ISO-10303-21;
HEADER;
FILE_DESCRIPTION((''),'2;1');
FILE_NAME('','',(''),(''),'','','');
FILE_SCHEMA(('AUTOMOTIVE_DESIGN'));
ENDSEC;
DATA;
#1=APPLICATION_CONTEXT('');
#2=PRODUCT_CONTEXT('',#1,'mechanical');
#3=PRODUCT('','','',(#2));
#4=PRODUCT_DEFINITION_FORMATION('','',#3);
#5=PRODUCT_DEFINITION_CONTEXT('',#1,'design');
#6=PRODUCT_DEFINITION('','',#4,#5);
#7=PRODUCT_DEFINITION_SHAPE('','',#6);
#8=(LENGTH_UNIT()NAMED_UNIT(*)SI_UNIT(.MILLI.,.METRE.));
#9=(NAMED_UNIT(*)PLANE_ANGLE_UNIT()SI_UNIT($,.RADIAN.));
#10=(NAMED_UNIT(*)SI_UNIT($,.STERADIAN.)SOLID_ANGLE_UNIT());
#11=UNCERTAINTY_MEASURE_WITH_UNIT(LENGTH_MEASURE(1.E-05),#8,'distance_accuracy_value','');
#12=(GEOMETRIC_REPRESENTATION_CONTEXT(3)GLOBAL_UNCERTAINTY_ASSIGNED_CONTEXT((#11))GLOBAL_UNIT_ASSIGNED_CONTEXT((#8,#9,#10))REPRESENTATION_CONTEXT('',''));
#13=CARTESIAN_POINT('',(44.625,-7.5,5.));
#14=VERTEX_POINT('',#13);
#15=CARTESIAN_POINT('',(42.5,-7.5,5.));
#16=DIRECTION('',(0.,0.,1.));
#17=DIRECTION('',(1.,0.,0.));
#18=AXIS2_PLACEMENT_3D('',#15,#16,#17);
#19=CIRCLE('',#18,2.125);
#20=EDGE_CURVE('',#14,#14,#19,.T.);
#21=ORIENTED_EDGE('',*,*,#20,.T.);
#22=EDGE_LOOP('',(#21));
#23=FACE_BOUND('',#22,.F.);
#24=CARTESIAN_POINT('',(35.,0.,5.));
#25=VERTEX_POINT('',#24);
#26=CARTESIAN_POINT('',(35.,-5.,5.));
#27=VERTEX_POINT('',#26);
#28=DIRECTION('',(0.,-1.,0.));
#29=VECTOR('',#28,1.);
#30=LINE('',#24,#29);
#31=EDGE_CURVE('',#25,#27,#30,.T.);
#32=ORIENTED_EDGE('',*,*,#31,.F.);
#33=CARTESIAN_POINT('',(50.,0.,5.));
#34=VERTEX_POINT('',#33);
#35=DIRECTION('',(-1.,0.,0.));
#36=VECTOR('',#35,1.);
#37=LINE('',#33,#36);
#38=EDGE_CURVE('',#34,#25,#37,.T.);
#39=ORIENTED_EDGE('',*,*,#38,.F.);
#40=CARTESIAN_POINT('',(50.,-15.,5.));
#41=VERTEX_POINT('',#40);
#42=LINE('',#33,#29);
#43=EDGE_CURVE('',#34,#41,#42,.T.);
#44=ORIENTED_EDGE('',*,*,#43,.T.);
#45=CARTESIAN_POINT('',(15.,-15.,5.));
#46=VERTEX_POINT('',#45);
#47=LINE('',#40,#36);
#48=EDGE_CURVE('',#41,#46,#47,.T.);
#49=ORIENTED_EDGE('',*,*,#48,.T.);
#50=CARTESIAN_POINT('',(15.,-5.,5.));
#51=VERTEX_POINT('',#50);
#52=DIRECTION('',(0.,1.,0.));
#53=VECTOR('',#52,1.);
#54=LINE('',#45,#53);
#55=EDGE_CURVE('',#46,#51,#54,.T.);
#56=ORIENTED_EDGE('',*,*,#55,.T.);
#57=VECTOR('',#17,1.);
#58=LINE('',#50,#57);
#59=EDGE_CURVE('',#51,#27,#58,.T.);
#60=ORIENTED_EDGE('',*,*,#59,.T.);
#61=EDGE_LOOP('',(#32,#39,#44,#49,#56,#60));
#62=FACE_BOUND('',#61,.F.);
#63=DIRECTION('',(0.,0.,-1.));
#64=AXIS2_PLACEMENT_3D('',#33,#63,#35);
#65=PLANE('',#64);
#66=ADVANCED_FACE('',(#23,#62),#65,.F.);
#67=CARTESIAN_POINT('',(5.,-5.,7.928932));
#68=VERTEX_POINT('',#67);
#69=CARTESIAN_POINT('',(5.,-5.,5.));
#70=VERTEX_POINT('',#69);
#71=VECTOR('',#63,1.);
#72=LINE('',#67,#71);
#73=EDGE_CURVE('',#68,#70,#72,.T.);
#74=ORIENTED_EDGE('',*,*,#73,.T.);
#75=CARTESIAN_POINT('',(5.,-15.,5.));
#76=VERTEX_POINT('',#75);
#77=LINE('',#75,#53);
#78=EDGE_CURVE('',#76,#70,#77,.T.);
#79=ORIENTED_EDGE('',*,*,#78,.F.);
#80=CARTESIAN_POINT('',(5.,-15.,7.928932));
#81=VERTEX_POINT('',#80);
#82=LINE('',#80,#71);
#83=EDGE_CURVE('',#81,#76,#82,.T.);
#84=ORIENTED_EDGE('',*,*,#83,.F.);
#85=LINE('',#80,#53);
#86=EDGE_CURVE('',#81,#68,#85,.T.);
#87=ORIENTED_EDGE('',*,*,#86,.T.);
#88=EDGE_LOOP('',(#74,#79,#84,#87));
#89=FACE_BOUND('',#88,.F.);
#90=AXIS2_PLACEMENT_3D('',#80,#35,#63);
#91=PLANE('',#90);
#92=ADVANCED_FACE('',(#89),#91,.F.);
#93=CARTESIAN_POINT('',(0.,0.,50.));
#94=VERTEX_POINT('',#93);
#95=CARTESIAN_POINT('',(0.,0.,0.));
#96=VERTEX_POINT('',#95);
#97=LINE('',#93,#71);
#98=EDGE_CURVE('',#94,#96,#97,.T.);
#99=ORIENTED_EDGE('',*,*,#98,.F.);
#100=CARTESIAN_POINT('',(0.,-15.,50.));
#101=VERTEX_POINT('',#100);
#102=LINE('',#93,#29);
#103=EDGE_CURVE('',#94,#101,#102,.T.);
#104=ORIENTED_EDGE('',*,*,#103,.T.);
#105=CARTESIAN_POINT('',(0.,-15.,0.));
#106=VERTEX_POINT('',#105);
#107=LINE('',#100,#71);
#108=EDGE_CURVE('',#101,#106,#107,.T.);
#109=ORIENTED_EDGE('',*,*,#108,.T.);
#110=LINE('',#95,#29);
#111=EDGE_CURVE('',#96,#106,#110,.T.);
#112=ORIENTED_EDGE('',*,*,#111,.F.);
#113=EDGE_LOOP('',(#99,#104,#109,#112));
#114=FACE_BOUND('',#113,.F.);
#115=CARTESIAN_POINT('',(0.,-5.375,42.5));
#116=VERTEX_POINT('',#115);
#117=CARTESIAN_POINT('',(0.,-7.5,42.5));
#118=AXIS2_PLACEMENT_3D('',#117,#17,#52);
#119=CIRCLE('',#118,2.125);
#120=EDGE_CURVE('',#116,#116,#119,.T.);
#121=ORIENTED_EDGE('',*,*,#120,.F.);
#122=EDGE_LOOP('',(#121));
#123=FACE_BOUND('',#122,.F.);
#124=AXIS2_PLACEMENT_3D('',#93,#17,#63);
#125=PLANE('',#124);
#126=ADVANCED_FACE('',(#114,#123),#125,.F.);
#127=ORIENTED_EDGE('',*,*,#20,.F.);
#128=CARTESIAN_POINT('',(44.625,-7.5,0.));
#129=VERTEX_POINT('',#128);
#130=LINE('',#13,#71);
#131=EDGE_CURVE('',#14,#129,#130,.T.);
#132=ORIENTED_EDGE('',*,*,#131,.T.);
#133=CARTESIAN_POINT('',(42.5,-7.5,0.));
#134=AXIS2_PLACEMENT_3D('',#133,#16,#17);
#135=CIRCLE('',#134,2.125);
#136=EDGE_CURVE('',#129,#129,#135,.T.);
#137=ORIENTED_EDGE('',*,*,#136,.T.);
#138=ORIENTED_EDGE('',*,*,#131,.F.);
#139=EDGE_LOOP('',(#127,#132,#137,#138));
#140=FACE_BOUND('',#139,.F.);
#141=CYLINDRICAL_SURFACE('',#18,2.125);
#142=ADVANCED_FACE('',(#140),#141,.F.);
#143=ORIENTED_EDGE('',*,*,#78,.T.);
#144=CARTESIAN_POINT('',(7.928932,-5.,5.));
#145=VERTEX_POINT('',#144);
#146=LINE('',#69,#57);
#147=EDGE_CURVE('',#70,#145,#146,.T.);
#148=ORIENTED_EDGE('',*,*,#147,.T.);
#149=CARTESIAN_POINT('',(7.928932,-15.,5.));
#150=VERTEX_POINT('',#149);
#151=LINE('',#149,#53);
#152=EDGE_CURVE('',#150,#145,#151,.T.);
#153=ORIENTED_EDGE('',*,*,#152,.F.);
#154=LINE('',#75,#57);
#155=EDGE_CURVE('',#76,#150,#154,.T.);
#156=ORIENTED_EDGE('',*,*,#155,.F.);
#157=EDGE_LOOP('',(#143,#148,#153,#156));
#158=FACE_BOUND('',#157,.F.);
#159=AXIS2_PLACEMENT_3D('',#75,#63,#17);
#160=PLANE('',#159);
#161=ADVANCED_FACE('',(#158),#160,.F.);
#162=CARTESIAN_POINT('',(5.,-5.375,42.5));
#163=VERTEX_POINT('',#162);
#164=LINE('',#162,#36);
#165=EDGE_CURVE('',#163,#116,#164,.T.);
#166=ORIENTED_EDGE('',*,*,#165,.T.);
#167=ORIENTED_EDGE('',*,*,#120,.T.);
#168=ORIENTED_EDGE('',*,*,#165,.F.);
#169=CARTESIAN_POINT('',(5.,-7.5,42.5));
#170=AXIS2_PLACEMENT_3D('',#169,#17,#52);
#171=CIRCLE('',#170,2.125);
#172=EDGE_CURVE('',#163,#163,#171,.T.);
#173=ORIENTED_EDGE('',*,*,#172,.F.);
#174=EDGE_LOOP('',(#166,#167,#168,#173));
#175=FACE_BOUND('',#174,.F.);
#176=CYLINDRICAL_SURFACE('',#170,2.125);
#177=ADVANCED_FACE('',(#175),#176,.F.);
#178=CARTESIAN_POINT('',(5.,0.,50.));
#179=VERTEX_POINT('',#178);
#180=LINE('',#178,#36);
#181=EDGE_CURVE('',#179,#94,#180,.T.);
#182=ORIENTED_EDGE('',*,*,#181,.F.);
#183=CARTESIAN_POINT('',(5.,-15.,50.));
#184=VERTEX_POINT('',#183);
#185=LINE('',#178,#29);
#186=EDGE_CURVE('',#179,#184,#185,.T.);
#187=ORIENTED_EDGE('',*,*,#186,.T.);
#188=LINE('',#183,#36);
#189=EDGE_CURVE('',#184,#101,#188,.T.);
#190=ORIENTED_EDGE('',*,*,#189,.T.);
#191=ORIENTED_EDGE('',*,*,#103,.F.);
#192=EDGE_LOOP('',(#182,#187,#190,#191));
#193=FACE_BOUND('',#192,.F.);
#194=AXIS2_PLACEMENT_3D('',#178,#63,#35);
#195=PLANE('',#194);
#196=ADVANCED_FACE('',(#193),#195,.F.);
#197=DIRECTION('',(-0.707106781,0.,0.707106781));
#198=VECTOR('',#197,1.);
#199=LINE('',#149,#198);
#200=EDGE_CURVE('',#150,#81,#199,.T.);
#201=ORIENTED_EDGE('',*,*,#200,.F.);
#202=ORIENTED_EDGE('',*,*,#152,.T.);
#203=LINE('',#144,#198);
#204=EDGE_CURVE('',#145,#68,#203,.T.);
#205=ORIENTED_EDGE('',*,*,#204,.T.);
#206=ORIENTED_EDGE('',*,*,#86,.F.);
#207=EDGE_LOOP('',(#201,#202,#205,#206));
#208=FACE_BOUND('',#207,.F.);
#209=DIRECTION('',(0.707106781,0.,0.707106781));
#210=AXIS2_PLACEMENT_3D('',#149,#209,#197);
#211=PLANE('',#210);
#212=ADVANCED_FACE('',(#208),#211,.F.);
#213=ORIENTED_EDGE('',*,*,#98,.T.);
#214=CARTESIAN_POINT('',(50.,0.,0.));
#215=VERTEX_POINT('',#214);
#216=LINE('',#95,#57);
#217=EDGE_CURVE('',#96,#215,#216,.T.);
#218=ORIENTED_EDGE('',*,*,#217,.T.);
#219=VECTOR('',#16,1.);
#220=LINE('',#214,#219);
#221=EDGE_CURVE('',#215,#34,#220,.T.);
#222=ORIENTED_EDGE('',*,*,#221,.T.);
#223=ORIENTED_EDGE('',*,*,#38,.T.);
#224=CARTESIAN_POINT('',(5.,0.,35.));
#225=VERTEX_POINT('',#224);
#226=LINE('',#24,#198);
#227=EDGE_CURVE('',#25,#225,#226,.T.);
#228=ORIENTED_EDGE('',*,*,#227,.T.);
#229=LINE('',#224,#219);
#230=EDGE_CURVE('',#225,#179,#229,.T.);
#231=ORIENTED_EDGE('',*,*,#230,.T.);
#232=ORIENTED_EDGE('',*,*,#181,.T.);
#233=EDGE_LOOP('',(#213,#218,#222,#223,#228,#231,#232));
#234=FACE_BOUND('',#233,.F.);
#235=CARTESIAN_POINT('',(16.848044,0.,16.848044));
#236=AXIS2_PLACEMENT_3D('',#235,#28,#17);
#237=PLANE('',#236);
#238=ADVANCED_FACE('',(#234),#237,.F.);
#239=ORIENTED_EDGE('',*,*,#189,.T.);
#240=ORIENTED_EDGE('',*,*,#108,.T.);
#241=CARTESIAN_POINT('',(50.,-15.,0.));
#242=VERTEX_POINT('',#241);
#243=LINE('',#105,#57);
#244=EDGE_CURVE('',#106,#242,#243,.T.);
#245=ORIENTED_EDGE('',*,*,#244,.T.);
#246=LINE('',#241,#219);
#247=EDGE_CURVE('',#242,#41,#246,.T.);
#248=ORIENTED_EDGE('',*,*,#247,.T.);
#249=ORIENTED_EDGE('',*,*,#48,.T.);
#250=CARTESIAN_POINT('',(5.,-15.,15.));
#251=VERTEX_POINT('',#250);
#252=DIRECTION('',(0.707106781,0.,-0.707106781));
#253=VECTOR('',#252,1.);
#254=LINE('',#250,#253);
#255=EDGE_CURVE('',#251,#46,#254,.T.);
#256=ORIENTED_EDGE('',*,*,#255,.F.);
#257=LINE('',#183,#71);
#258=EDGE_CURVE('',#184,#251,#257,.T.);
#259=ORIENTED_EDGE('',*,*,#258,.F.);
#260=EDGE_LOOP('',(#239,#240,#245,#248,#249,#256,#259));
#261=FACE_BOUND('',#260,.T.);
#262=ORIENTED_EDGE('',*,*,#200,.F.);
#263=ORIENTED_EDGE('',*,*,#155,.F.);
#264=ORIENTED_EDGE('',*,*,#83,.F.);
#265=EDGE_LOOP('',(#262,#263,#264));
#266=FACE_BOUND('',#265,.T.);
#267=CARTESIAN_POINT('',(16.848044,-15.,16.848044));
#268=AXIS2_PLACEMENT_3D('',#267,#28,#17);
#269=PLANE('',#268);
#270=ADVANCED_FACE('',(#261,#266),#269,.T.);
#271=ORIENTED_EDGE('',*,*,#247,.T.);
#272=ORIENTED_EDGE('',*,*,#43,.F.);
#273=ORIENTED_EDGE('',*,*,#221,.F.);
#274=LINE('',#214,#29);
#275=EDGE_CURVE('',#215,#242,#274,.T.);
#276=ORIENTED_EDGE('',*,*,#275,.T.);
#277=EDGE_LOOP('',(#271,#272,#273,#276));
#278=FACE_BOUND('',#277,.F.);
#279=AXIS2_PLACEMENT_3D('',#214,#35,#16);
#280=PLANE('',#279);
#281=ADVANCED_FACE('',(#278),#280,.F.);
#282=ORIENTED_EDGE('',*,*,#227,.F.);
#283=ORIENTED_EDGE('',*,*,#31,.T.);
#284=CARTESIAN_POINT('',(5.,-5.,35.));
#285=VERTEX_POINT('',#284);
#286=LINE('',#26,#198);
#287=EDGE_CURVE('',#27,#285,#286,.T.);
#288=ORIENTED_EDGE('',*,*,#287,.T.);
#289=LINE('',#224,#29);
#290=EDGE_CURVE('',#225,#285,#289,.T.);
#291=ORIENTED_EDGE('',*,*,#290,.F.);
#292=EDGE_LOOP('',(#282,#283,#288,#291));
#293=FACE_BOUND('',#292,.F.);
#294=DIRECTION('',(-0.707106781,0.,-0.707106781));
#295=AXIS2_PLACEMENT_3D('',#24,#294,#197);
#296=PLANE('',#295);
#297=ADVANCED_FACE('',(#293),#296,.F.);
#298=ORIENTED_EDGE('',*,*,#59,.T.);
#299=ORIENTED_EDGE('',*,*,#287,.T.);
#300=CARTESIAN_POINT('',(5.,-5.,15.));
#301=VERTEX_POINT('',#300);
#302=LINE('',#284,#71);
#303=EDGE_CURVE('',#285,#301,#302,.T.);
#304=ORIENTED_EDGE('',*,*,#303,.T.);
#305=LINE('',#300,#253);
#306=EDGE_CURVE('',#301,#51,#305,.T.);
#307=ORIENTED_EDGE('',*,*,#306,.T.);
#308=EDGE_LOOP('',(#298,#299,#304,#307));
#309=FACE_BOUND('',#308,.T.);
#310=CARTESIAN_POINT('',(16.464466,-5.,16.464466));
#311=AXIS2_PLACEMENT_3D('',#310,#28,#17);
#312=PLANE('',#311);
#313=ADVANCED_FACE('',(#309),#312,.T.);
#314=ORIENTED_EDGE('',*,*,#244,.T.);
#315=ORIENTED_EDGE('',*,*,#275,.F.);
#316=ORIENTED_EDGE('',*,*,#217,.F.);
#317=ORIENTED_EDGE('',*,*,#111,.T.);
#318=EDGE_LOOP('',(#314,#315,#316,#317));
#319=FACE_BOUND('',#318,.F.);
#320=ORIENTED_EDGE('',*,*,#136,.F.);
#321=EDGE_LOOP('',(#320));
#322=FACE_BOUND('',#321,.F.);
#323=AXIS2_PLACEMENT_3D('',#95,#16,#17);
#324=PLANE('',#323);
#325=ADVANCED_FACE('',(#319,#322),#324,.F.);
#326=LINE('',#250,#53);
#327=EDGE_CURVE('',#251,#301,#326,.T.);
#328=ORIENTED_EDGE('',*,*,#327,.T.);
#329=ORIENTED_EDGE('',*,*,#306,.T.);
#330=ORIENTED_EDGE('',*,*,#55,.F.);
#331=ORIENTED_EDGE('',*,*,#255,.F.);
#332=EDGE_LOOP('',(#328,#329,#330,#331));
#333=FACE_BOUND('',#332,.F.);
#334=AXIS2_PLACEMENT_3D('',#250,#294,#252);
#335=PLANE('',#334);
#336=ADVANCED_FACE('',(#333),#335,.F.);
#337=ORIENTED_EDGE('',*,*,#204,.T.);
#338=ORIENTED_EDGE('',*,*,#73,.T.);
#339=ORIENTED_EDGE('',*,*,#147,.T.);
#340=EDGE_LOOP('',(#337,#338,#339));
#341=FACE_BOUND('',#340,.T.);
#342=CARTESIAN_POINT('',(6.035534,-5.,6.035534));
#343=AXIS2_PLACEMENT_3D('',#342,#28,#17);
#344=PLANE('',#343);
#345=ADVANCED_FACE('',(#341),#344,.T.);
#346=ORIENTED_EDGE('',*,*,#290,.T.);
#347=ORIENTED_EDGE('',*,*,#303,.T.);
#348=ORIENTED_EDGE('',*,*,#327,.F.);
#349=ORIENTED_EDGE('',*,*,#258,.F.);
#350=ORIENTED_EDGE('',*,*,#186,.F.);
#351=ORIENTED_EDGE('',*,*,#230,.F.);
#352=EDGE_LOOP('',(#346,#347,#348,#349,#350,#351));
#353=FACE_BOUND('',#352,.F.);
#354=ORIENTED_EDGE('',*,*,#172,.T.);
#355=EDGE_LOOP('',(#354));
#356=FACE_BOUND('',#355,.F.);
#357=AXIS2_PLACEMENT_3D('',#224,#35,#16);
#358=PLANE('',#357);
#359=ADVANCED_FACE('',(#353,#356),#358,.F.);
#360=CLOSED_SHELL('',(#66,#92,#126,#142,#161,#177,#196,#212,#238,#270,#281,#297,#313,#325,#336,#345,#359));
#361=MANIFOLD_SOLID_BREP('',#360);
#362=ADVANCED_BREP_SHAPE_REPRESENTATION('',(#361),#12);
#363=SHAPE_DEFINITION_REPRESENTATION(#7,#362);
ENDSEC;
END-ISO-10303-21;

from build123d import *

# Parameters (mm, degrees)
F1_DEPTH = 15
F2_R     = 2.125
F3_DEPTH = 25
F4_R     = 2.125
F5_DEPTH = 25
F7_DEPTH = 10
F9_DEPTH = 10


with BuildPart() as f1:
    # F0 (on Front) → F1 (new body)
    with BuildSketch(Plane.XZ):
        Polygon((5, 50), (0, 50), (0, 0), (50, 0), (50, 5), (35, 5), (5, 35), align=None)
    extrude(amount=F1_DEPTH)

    # F2 (on face) → F3 (cut)
    with BuildSketch(Plane.XY.offset(5)):
        with Locations((42.5, -7.5)):
            Circle(F2_R)
    extrude(amount=-F3_DEPTH, mode=Mode.SUBTRACT)

    # F4 (on face) → F5 (cut)
    with BuildSketch(Plane.YZ.offset(5)):
        with Locations((-7.5, 42.5)):
            Circle(F4_R)
    extrude(amount=-F5_DEPTH, mode=Mode.SUBTRACT)

    # F6 (on face) → F7 (cut)
    with BuildSketch(Plane.XZ.offset(15)):
        Polygon((35, 5), (5, 35), (5, 15), (15, 5), align=None)
    extrude(amount=-F7_DEPTH, mode=Mode.SUBTRACT)

    # F8 (on face) → F9 (cut)
    with BuildSketch(Plane.XZ.offset(15)):
        Polygon((7.928932, 5), (5, 7.928932), (5, 5), align=None)
    extrude(amount=-F9_DEPTH, mode=Mode.SUBTRACT)


solid = f1.part
